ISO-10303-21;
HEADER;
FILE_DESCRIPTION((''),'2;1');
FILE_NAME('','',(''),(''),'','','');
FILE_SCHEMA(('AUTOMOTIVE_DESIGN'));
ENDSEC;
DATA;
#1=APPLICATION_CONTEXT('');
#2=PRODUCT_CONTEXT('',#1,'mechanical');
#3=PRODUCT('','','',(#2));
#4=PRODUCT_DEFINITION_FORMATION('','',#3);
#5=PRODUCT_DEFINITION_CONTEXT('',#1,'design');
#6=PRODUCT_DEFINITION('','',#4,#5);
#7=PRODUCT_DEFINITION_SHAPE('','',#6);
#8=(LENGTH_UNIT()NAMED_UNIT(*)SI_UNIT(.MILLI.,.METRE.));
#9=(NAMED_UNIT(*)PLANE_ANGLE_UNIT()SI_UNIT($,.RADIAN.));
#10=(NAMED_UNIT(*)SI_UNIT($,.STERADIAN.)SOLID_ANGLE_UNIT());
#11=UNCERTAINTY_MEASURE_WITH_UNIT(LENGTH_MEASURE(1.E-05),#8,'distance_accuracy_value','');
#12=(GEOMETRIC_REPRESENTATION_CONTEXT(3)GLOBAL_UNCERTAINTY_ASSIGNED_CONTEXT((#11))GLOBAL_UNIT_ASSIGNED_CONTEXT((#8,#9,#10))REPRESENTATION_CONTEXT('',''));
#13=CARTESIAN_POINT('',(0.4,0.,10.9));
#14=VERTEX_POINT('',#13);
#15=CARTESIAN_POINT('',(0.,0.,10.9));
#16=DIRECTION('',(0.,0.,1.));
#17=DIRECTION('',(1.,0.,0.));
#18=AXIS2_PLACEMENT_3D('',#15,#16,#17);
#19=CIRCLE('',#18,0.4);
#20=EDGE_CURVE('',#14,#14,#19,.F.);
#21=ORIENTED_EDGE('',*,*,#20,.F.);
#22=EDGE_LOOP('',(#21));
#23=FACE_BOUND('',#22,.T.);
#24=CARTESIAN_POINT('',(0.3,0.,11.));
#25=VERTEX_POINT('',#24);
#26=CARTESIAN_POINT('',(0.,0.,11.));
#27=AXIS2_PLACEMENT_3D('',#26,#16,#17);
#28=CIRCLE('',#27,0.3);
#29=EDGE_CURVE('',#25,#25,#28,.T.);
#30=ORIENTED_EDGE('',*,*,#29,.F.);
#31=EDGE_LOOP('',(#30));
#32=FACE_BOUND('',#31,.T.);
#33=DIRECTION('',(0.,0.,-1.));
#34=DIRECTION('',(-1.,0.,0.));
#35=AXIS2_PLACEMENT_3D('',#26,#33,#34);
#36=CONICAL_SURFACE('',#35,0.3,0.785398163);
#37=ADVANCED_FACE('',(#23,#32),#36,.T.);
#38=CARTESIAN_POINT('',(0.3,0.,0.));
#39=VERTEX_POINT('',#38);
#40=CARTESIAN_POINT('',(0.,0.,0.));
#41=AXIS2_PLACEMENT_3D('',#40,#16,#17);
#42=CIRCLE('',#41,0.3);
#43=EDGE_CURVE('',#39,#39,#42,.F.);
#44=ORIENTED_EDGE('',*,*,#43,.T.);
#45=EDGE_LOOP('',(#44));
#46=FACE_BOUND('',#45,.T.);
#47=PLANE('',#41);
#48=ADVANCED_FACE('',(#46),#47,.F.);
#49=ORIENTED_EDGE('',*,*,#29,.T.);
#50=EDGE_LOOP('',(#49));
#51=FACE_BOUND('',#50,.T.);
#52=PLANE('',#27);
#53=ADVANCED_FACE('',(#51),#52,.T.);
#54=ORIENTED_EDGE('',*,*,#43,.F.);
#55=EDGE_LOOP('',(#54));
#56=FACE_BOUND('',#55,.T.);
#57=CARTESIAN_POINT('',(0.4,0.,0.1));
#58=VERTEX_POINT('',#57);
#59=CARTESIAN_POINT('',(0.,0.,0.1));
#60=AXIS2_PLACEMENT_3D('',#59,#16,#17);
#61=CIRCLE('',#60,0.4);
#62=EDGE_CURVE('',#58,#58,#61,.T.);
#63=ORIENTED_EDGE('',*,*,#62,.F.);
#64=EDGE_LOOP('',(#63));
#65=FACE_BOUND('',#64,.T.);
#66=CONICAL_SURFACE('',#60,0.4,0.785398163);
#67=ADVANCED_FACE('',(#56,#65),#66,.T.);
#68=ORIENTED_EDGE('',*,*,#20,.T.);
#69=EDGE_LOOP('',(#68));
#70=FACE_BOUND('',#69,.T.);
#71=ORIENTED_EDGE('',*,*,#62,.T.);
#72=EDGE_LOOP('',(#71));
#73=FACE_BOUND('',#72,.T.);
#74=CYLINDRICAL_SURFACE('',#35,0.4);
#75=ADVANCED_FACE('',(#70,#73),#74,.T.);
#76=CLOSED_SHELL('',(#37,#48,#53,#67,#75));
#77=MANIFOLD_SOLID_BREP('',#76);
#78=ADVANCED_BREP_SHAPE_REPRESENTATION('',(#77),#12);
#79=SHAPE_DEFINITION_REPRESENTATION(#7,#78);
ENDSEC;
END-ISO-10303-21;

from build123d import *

# Parameters (mm, degrees)
ESQUISSE1_R        = 0.4
BOSS_EXTRU_1_DEPTH = 11
CHANFREIN1_SIZE    = 0.1


with BuildPart() as part:
    # Esquisse1 → Boss.-Extru.1 (new body)
    with BuildSketch(Plane.XY):
        Circle(ESQUISSE1_R)
    extrude(amount=BOSS_EXTRU_1_DEPTH)

    # Chanfrein1
    chanfrein1_edges = [part.edges().sort_by_distance(p)[0] for p in [
        (-0.4, 0, 0),
        (-0.4, 0, 11),
    ]]
    chamfer(chanfrein1_edges, length=CHANFREIN1_SIZE)


solid = part.part
